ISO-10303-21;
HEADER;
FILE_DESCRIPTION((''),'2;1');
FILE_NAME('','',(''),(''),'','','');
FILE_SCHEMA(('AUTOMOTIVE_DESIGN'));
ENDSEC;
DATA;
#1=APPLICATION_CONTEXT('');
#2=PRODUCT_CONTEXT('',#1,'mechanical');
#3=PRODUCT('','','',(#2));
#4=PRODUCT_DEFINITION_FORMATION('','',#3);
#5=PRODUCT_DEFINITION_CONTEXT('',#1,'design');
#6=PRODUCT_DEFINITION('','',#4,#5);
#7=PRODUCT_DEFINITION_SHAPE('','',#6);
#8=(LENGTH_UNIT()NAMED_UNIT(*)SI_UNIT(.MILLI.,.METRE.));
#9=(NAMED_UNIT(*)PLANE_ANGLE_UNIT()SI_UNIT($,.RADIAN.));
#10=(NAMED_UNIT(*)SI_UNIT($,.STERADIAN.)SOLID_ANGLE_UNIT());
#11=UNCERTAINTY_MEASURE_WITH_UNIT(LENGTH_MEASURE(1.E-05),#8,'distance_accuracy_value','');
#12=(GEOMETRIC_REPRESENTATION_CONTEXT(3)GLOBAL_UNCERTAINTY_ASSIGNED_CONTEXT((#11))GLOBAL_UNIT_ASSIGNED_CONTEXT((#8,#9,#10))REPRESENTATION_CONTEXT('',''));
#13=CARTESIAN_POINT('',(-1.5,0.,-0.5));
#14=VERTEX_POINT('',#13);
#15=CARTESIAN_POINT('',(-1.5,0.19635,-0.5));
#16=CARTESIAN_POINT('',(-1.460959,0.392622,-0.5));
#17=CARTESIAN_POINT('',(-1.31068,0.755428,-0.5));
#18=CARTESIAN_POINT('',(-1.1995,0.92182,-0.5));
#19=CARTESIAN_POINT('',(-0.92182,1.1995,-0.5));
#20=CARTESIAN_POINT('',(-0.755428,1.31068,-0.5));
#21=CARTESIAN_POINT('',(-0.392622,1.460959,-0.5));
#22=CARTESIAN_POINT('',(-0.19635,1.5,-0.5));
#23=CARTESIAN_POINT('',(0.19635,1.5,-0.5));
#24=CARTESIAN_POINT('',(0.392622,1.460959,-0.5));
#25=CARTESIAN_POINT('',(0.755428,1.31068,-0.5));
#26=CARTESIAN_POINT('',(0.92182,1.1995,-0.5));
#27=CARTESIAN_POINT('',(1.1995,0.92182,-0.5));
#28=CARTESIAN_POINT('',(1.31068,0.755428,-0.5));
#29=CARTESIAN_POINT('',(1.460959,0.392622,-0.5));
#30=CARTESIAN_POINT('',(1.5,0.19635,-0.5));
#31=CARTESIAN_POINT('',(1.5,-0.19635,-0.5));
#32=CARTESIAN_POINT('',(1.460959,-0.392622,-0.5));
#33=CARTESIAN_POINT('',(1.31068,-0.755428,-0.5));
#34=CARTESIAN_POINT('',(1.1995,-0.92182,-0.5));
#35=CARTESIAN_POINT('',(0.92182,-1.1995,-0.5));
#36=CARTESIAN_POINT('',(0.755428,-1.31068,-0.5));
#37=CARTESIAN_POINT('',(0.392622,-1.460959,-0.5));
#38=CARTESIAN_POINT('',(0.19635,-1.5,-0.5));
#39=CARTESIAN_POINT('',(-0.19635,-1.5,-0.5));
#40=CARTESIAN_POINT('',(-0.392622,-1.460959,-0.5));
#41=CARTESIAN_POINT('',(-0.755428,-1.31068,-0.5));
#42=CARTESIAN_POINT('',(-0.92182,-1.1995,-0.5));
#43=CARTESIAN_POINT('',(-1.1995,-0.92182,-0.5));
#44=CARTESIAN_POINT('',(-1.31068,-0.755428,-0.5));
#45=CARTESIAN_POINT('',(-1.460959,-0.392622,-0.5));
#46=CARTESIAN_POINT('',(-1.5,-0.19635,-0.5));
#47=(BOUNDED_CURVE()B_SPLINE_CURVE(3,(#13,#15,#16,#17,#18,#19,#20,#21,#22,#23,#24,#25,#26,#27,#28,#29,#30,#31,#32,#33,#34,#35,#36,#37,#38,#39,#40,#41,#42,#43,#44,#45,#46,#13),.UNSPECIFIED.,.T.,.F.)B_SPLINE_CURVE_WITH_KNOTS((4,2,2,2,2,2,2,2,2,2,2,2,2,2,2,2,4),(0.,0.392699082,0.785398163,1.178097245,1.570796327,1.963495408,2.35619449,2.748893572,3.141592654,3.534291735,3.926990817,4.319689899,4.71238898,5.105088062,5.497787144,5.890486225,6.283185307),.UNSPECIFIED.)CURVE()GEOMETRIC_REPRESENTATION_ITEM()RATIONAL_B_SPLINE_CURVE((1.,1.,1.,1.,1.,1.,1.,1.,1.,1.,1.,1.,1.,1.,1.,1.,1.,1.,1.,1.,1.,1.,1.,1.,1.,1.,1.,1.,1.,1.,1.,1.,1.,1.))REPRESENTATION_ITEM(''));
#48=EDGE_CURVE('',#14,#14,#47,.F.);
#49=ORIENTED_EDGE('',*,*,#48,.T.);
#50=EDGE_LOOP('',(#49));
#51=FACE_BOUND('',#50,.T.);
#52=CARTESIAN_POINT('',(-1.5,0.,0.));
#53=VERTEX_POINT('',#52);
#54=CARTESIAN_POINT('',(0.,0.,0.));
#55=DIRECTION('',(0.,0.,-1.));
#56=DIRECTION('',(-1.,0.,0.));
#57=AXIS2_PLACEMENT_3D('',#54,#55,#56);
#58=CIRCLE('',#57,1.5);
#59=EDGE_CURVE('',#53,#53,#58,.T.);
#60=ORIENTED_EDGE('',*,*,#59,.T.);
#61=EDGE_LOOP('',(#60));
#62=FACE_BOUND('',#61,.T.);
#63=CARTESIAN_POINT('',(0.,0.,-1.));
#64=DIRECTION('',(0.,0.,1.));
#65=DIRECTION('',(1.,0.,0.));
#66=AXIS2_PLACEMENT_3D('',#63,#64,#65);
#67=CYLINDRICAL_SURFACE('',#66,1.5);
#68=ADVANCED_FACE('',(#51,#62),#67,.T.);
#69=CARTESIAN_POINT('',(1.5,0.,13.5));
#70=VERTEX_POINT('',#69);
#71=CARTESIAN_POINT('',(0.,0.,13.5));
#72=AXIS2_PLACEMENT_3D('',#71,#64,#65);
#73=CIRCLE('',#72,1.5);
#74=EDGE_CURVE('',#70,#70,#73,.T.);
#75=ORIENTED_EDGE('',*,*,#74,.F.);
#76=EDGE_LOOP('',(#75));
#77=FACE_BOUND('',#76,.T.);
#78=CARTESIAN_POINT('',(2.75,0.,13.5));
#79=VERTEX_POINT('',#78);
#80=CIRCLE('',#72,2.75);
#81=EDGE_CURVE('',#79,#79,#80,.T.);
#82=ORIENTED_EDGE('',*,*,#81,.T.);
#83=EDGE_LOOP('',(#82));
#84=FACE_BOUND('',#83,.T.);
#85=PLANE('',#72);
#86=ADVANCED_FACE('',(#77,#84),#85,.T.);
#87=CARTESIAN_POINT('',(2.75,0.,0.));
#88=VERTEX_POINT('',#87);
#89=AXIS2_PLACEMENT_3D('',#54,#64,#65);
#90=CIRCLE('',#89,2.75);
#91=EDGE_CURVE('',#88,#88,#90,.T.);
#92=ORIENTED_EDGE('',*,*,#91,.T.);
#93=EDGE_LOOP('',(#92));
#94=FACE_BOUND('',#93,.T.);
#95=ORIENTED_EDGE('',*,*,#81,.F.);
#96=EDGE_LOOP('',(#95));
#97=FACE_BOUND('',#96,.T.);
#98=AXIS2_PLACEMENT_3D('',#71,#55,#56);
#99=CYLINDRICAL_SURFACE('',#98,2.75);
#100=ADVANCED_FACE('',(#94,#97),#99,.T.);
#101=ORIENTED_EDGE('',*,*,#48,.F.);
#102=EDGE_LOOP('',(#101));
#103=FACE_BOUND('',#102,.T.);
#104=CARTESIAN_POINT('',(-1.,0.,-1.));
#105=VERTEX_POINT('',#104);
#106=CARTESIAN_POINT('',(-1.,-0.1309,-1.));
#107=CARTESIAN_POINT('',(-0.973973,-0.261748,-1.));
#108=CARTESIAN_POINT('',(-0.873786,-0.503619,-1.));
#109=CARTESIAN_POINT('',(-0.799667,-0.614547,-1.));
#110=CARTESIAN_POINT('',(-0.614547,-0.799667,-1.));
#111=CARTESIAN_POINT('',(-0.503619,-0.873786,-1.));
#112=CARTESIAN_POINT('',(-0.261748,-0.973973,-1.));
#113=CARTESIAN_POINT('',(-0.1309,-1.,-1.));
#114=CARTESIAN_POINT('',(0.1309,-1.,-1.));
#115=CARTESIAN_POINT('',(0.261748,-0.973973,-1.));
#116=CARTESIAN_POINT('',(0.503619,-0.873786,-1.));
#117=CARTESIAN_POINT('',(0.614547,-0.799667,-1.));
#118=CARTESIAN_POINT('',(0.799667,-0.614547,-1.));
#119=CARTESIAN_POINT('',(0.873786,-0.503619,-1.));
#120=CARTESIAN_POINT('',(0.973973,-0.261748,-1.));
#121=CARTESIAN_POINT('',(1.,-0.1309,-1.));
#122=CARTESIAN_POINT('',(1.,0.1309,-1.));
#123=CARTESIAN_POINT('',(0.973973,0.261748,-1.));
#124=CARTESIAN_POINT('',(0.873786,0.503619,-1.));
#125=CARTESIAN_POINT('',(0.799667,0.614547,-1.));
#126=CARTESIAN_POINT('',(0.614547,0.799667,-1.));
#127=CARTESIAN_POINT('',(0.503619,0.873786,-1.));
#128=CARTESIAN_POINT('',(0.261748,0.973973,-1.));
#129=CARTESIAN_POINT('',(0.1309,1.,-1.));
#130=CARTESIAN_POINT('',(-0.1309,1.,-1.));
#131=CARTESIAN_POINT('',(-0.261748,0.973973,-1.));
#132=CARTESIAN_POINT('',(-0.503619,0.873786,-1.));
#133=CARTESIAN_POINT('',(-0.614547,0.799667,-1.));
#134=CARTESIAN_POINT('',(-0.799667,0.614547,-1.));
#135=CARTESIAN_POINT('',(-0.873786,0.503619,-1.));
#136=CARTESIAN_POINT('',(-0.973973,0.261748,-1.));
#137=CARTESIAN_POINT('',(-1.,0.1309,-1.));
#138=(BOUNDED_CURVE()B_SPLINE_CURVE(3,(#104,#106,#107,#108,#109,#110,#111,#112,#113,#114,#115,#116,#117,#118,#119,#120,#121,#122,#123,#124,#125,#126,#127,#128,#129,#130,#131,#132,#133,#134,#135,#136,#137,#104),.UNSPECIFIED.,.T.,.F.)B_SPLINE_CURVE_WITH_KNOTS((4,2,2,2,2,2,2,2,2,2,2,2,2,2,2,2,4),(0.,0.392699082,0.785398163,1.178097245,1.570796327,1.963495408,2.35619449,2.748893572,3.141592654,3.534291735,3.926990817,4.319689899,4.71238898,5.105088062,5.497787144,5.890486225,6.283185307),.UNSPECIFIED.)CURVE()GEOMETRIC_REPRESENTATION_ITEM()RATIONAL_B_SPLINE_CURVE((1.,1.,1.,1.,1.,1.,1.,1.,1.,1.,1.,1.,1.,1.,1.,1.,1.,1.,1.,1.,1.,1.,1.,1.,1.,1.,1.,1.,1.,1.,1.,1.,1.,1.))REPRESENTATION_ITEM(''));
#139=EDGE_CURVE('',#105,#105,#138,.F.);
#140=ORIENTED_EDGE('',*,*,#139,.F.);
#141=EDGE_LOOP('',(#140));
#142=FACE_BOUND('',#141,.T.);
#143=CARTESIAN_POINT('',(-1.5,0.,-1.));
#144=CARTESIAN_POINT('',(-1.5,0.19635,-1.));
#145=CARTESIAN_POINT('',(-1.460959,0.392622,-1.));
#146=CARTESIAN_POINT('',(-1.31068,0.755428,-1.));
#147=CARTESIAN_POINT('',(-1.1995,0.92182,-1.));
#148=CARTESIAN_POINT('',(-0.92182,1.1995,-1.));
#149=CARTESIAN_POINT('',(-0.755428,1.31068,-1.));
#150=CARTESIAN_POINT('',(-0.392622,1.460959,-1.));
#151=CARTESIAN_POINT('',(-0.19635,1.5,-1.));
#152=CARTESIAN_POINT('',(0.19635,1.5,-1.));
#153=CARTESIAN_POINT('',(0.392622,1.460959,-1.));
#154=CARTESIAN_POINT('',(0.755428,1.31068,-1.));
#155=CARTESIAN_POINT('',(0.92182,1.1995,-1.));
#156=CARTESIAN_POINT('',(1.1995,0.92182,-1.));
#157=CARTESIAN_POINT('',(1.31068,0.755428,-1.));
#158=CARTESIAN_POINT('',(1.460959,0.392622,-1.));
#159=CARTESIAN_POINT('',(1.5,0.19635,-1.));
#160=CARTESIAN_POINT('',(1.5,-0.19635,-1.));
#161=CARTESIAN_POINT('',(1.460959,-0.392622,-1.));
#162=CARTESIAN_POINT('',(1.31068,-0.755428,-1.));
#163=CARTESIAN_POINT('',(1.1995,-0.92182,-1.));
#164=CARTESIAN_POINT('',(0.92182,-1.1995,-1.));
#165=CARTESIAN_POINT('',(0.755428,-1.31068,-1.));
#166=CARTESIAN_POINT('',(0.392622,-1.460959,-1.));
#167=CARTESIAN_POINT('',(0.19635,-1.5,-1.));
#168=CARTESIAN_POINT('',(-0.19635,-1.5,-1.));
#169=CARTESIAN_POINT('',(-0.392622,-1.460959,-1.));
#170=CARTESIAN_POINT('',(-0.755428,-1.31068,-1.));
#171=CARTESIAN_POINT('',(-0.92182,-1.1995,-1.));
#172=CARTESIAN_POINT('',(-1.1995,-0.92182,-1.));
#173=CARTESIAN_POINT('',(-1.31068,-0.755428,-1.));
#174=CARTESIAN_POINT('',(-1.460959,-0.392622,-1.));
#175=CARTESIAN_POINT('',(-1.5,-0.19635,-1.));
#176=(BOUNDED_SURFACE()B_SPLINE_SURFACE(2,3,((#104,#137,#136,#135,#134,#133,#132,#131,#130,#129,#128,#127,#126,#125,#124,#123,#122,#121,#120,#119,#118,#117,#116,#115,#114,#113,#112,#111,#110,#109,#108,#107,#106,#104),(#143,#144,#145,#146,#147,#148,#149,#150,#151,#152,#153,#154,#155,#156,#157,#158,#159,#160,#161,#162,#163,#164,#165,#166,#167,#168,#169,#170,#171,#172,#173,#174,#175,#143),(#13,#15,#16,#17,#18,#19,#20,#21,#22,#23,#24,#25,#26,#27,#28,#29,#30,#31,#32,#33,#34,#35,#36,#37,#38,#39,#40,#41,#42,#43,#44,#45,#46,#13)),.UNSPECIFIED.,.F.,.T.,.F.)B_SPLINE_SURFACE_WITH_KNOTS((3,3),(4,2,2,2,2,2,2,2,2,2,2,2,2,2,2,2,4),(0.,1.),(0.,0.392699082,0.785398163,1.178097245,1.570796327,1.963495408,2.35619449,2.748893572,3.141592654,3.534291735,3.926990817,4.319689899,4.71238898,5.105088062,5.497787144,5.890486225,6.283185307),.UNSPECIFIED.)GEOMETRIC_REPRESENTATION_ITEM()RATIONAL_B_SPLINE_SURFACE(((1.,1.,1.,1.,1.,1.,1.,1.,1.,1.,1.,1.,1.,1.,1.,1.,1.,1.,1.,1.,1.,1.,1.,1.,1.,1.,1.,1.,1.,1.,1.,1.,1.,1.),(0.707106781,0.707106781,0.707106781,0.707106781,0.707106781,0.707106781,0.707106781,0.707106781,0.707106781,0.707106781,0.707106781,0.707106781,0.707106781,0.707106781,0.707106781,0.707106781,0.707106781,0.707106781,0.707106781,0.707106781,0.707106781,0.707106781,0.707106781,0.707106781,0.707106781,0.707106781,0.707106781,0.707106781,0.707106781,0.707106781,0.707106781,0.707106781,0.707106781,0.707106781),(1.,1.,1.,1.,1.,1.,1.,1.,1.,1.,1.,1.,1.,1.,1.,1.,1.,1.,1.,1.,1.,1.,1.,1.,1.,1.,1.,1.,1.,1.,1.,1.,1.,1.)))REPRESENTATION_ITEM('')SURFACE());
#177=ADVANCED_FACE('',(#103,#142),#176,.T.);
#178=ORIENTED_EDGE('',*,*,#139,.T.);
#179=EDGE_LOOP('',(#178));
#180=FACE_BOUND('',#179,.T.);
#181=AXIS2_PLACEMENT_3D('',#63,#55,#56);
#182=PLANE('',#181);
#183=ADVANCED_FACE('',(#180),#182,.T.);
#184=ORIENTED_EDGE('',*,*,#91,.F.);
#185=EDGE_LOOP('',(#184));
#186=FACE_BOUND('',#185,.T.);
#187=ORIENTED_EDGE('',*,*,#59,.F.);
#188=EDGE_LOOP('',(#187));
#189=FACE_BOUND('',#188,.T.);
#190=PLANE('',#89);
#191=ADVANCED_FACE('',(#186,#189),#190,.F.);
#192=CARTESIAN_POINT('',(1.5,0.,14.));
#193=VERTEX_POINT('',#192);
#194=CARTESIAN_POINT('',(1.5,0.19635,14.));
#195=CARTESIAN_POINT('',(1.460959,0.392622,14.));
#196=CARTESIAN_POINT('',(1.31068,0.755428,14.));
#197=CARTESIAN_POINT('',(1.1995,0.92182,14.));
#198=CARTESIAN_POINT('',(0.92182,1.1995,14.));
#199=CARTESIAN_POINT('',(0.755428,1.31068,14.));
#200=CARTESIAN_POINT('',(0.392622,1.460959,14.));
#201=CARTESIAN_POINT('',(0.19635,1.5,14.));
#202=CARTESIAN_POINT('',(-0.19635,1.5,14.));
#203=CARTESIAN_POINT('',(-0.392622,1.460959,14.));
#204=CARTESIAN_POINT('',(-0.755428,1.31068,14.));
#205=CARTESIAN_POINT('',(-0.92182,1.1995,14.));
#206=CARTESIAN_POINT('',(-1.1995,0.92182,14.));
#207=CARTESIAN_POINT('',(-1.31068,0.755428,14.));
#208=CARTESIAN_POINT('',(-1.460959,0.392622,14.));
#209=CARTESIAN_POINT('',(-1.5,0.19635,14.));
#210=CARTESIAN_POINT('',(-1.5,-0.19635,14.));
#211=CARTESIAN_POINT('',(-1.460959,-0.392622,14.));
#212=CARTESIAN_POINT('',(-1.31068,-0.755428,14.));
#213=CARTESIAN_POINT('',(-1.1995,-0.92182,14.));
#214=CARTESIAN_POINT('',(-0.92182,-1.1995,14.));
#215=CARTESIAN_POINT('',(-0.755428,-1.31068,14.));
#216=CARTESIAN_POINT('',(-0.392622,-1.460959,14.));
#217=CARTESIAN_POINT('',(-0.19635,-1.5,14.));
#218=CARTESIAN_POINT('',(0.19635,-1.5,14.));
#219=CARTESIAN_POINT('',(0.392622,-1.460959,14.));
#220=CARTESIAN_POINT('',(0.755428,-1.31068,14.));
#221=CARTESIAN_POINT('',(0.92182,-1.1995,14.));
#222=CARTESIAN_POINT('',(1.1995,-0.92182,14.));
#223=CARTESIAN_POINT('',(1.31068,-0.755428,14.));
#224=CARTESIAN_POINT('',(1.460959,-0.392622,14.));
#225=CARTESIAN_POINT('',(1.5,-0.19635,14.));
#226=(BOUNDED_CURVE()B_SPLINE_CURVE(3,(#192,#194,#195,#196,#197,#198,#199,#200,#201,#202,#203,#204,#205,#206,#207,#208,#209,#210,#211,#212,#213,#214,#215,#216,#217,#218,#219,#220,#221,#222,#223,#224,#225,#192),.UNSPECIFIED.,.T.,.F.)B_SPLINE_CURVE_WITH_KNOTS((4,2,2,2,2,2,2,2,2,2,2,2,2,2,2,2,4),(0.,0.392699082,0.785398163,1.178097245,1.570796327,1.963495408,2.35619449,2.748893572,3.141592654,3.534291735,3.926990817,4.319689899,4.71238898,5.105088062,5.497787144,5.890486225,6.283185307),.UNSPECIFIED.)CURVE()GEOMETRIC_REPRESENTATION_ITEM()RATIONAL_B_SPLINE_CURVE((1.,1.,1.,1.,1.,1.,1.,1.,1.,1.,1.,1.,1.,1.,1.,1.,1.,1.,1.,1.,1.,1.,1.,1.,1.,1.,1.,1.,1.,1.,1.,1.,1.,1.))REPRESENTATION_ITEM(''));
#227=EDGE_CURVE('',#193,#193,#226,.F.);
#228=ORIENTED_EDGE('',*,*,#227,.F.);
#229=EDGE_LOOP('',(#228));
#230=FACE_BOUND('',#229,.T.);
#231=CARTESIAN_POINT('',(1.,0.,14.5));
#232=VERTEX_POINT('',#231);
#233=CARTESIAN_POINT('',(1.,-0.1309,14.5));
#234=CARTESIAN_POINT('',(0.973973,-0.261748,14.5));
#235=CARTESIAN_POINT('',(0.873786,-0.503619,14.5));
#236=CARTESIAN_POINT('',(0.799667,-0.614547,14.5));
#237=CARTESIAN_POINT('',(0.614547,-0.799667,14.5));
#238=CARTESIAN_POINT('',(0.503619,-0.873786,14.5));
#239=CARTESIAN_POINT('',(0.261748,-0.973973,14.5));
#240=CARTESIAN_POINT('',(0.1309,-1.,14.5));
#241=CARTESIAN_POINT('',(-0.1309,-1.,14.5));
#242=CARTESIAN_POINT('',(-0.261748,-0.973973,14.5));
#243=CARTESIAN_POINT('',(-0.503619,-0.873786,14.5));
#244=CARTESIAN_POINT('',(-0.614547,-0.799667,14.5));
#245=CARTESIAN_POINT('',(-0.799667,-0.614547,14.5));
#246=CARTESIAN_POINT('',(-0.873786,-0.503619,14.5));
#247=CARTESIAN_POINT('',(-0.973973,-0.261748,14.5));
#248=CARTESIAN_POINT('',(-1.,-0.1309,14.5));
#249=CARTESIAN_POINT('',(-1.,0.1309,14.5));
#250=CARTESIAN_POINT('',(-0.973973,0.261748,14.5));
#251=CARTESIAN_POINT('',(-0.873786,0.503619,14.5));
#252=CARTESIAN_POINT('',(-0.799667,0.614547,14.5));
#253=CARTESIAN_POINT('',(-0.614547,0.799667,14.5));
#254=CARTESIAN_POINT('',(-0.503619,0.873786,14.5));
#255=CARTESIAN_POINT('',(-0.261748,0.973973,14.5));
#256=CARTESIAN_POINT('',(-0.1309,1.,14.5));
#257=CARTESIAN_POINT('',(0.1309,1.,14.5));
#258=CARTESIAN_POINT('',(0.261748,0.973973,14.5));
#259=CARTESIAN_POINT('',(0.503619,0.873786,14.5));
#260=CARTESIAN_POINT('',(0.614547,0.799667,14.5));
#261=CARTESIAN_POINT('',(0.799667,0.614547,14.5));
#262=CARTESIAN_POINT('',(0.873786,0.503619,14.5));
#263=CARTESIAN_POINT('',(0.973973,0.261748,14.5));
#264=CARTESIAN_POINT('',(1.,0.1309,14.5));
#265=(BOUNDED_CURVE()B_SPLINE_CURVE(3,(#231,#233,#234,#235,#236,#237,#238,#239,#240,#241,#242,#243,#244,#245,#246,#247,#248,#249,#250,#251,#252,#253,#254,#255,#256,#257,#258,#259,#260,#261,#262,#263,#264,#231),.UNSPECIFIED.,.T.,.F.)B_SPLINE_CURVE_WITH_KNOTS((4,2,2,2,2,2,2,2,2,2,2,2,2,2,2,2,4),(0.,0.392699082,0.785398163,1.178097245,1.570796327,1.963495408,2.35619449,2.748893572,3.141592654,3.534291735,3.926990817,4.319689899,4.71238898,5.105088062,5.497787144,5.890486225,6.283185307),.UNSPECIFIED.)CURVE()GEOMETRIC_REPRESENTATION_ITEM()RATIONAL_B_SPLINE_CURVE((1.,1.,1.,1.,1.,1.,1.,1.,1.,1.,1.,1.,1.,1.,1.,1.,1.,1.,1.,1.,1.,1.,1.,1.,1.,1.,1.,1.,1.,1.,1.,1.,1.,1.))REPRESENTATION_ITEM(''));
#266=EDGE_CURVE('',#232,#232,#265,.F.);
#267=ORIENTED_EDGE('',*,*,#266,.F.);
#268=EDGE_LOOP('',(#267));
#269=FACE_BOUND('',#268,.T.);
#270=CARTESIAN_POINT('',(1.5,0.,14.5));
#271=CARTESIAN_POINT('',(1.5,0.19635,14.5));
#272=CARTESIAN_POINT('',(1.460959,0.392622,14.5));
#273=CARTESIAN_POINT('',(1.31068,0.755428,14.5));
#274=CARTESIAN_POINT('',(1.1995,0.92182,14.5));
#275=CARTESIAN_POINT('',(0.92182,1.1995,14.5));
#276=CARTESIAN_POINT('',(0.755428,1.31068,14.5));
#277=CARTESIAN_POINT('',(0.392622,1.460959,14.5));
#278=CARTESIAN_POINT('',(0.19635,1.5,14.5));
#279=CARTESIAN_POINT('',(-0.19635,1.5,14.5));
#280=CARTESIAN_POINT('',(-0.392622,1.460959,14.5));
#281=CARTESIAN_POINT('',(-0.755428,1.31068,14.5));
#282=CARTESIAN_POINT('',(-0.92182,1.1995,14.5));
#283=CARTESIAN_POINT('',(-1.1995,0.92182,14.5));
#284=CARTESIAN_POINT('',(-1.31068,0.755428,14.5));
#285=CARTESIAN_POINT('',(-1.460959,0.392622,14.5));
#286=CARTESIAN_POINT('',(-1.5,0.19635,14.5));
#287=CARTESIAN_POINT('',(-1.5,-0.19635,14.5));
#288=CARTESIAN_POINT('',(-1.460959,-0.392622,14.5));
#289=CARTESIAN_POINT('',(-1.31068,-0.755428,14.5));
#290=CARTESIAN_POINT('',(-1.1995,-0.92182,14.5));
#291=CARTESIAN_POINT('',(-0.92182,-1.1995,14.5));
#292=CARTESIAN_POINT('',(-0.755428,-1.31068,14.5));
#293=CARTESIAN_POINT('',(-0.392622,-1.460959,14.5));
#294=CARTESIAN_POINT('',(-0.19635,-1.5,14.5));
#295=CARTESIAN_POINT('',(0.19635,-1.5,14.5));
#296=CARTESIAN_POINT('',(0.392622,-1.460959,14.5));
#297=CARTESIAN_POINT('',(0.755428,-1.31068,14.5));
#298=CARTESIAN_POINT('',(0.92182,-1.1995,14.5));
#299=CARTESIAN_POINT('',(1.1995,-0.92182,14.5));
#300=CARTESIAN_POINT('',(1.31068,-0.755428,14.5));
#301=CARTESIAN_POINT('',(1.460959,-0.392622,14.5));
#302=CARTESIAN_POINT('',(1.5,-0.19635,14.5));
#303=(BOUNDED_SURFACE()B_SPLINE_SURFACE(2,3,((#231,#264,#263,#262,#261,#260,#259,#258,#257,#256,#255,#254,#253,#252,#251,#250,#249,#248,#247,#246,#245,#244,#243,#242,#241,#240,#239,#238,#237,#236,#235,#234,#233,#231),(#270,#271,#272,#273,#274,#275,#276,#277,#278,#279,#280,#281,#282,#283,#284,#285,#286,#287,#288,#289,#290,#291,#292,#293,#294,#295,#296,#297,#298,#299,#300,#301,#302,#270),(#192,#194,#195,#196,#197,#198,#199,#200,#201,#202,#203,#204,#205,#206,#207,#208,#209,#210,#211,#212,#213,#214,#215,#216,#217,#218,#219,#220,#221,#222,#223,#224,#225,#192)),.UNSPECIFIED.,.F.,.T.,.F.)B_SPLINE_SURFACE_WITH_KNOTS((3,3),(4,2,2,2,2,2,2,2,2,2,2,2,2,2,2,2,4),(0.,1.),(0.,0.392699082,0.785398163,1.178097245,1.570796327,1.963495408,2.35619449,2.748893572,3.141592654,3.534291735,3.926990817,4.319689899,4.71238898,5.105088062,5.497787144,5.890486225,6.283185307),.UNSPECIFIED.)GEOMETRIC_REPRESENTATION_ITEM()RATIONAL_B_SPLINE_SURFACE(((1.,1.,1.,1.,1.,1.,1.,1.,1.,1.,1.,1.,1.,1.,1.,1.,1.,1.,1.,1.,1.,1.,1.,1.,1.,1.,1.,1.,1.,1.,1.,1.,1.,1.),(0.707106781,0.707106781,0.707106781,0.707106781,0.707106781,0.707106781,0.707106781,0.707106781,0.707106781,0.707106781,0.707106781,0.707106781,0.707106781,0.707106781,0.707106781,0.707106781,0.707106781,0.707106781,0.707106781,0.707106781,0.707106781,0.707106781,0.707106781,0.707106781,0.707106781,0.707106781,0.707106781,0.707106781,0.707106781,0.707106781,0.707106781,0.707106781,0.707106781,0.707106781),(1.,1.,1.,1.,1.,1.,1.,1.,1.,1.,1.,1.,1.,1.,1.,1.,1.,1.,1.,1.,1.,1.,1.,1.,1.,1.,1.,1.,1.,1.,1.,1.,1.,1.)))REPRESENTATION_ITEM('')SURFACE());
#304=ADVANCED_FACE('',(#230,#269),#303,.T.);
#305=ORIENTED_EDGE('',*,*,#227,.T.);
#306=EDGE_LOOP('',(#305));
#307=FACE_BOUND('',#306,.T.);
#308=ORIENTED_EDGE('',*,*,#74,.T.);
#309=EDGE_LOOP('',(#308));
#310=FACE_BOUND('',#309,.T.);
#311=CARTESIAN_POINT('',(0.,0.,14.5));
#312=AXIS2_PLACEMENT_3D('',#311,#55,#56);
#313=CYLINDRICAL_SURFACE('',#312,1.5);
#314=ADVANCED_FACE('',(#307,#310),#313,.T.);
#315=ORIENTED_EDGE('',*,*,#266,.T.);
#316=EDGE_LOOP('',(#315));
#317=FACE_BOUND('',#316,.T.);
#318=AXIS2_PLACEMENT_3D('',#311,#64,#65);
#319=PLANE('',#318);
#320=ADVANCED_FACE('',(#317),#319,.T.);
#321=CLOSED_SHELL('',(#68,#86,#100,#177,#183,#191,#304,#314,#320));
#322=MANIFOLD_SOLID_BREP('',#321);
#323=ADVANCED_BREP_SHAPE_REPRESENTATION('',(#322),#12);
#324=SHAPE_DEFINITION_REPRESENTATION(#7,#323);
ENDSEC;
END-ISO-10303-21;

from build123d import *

# Parameters (mm, degrees)
SKETCH1_R           = 2.75
BOSS_EXTRUDE1_DEPTH = 13.5
SKETCH3_R           = 1.5
BOSS_EXTRUDE2_DEPTH = 1
FILLET1_R           = 0.5
BOSS_EXTRUDE3_START = 1
SKETCH4_R           = 1.5
BOSS_EXTRUDE3_DEPTH = 1
FILLET2_R           = 0.5


with BuildPart() as part:
    # Sketch1 → Boss-Extrude1 (new body)
    with BuildSketch(Plane.XY):
        Circle(SKETCH1_R)
    extrude(amount=BOSS_EXTRUDE1_DEPTH)

    # Sketch3 → Boss-Extrude2 (add)
    with BuildSketch(Plane.XY.offset(13.5)):
        Circle(SKETCH3_R)
    extrude(amount=BOSS_EXTRUDE2_DEPTH)

    # Fillet1
    fillet1_edges = [part.edges().sort_by_distance(p)[0] for p in [
        (-1.5, 0, 14.5),
    ]]
    fillet(fillet1_edges, radius=FILLET1_R)

    # Sketch4 → Boss-Extrude3 (add)
    with BuildSketch(Plane(origin=(0, 0, 0), x_dir=(-1, 0, 0), z_dir=(0, 0, -1)).offset(BOSS_EXTRUDE3_START)):
        with Locations(Location((0, 0, 0), (0, 0, 180))):
            Circle(SKETCH4_R)
    extrude(amount=-BOSS_EXTRUDE3_DEPTH)

    # Fillet2
    fillet2_edges = [part.edges().sort_by_distance(p)[0] for p in [
        (-1.5, 0, -1),
    ]]
    fillet(fillet2_edges, radius=FILLET2_R)


solid = part.part
